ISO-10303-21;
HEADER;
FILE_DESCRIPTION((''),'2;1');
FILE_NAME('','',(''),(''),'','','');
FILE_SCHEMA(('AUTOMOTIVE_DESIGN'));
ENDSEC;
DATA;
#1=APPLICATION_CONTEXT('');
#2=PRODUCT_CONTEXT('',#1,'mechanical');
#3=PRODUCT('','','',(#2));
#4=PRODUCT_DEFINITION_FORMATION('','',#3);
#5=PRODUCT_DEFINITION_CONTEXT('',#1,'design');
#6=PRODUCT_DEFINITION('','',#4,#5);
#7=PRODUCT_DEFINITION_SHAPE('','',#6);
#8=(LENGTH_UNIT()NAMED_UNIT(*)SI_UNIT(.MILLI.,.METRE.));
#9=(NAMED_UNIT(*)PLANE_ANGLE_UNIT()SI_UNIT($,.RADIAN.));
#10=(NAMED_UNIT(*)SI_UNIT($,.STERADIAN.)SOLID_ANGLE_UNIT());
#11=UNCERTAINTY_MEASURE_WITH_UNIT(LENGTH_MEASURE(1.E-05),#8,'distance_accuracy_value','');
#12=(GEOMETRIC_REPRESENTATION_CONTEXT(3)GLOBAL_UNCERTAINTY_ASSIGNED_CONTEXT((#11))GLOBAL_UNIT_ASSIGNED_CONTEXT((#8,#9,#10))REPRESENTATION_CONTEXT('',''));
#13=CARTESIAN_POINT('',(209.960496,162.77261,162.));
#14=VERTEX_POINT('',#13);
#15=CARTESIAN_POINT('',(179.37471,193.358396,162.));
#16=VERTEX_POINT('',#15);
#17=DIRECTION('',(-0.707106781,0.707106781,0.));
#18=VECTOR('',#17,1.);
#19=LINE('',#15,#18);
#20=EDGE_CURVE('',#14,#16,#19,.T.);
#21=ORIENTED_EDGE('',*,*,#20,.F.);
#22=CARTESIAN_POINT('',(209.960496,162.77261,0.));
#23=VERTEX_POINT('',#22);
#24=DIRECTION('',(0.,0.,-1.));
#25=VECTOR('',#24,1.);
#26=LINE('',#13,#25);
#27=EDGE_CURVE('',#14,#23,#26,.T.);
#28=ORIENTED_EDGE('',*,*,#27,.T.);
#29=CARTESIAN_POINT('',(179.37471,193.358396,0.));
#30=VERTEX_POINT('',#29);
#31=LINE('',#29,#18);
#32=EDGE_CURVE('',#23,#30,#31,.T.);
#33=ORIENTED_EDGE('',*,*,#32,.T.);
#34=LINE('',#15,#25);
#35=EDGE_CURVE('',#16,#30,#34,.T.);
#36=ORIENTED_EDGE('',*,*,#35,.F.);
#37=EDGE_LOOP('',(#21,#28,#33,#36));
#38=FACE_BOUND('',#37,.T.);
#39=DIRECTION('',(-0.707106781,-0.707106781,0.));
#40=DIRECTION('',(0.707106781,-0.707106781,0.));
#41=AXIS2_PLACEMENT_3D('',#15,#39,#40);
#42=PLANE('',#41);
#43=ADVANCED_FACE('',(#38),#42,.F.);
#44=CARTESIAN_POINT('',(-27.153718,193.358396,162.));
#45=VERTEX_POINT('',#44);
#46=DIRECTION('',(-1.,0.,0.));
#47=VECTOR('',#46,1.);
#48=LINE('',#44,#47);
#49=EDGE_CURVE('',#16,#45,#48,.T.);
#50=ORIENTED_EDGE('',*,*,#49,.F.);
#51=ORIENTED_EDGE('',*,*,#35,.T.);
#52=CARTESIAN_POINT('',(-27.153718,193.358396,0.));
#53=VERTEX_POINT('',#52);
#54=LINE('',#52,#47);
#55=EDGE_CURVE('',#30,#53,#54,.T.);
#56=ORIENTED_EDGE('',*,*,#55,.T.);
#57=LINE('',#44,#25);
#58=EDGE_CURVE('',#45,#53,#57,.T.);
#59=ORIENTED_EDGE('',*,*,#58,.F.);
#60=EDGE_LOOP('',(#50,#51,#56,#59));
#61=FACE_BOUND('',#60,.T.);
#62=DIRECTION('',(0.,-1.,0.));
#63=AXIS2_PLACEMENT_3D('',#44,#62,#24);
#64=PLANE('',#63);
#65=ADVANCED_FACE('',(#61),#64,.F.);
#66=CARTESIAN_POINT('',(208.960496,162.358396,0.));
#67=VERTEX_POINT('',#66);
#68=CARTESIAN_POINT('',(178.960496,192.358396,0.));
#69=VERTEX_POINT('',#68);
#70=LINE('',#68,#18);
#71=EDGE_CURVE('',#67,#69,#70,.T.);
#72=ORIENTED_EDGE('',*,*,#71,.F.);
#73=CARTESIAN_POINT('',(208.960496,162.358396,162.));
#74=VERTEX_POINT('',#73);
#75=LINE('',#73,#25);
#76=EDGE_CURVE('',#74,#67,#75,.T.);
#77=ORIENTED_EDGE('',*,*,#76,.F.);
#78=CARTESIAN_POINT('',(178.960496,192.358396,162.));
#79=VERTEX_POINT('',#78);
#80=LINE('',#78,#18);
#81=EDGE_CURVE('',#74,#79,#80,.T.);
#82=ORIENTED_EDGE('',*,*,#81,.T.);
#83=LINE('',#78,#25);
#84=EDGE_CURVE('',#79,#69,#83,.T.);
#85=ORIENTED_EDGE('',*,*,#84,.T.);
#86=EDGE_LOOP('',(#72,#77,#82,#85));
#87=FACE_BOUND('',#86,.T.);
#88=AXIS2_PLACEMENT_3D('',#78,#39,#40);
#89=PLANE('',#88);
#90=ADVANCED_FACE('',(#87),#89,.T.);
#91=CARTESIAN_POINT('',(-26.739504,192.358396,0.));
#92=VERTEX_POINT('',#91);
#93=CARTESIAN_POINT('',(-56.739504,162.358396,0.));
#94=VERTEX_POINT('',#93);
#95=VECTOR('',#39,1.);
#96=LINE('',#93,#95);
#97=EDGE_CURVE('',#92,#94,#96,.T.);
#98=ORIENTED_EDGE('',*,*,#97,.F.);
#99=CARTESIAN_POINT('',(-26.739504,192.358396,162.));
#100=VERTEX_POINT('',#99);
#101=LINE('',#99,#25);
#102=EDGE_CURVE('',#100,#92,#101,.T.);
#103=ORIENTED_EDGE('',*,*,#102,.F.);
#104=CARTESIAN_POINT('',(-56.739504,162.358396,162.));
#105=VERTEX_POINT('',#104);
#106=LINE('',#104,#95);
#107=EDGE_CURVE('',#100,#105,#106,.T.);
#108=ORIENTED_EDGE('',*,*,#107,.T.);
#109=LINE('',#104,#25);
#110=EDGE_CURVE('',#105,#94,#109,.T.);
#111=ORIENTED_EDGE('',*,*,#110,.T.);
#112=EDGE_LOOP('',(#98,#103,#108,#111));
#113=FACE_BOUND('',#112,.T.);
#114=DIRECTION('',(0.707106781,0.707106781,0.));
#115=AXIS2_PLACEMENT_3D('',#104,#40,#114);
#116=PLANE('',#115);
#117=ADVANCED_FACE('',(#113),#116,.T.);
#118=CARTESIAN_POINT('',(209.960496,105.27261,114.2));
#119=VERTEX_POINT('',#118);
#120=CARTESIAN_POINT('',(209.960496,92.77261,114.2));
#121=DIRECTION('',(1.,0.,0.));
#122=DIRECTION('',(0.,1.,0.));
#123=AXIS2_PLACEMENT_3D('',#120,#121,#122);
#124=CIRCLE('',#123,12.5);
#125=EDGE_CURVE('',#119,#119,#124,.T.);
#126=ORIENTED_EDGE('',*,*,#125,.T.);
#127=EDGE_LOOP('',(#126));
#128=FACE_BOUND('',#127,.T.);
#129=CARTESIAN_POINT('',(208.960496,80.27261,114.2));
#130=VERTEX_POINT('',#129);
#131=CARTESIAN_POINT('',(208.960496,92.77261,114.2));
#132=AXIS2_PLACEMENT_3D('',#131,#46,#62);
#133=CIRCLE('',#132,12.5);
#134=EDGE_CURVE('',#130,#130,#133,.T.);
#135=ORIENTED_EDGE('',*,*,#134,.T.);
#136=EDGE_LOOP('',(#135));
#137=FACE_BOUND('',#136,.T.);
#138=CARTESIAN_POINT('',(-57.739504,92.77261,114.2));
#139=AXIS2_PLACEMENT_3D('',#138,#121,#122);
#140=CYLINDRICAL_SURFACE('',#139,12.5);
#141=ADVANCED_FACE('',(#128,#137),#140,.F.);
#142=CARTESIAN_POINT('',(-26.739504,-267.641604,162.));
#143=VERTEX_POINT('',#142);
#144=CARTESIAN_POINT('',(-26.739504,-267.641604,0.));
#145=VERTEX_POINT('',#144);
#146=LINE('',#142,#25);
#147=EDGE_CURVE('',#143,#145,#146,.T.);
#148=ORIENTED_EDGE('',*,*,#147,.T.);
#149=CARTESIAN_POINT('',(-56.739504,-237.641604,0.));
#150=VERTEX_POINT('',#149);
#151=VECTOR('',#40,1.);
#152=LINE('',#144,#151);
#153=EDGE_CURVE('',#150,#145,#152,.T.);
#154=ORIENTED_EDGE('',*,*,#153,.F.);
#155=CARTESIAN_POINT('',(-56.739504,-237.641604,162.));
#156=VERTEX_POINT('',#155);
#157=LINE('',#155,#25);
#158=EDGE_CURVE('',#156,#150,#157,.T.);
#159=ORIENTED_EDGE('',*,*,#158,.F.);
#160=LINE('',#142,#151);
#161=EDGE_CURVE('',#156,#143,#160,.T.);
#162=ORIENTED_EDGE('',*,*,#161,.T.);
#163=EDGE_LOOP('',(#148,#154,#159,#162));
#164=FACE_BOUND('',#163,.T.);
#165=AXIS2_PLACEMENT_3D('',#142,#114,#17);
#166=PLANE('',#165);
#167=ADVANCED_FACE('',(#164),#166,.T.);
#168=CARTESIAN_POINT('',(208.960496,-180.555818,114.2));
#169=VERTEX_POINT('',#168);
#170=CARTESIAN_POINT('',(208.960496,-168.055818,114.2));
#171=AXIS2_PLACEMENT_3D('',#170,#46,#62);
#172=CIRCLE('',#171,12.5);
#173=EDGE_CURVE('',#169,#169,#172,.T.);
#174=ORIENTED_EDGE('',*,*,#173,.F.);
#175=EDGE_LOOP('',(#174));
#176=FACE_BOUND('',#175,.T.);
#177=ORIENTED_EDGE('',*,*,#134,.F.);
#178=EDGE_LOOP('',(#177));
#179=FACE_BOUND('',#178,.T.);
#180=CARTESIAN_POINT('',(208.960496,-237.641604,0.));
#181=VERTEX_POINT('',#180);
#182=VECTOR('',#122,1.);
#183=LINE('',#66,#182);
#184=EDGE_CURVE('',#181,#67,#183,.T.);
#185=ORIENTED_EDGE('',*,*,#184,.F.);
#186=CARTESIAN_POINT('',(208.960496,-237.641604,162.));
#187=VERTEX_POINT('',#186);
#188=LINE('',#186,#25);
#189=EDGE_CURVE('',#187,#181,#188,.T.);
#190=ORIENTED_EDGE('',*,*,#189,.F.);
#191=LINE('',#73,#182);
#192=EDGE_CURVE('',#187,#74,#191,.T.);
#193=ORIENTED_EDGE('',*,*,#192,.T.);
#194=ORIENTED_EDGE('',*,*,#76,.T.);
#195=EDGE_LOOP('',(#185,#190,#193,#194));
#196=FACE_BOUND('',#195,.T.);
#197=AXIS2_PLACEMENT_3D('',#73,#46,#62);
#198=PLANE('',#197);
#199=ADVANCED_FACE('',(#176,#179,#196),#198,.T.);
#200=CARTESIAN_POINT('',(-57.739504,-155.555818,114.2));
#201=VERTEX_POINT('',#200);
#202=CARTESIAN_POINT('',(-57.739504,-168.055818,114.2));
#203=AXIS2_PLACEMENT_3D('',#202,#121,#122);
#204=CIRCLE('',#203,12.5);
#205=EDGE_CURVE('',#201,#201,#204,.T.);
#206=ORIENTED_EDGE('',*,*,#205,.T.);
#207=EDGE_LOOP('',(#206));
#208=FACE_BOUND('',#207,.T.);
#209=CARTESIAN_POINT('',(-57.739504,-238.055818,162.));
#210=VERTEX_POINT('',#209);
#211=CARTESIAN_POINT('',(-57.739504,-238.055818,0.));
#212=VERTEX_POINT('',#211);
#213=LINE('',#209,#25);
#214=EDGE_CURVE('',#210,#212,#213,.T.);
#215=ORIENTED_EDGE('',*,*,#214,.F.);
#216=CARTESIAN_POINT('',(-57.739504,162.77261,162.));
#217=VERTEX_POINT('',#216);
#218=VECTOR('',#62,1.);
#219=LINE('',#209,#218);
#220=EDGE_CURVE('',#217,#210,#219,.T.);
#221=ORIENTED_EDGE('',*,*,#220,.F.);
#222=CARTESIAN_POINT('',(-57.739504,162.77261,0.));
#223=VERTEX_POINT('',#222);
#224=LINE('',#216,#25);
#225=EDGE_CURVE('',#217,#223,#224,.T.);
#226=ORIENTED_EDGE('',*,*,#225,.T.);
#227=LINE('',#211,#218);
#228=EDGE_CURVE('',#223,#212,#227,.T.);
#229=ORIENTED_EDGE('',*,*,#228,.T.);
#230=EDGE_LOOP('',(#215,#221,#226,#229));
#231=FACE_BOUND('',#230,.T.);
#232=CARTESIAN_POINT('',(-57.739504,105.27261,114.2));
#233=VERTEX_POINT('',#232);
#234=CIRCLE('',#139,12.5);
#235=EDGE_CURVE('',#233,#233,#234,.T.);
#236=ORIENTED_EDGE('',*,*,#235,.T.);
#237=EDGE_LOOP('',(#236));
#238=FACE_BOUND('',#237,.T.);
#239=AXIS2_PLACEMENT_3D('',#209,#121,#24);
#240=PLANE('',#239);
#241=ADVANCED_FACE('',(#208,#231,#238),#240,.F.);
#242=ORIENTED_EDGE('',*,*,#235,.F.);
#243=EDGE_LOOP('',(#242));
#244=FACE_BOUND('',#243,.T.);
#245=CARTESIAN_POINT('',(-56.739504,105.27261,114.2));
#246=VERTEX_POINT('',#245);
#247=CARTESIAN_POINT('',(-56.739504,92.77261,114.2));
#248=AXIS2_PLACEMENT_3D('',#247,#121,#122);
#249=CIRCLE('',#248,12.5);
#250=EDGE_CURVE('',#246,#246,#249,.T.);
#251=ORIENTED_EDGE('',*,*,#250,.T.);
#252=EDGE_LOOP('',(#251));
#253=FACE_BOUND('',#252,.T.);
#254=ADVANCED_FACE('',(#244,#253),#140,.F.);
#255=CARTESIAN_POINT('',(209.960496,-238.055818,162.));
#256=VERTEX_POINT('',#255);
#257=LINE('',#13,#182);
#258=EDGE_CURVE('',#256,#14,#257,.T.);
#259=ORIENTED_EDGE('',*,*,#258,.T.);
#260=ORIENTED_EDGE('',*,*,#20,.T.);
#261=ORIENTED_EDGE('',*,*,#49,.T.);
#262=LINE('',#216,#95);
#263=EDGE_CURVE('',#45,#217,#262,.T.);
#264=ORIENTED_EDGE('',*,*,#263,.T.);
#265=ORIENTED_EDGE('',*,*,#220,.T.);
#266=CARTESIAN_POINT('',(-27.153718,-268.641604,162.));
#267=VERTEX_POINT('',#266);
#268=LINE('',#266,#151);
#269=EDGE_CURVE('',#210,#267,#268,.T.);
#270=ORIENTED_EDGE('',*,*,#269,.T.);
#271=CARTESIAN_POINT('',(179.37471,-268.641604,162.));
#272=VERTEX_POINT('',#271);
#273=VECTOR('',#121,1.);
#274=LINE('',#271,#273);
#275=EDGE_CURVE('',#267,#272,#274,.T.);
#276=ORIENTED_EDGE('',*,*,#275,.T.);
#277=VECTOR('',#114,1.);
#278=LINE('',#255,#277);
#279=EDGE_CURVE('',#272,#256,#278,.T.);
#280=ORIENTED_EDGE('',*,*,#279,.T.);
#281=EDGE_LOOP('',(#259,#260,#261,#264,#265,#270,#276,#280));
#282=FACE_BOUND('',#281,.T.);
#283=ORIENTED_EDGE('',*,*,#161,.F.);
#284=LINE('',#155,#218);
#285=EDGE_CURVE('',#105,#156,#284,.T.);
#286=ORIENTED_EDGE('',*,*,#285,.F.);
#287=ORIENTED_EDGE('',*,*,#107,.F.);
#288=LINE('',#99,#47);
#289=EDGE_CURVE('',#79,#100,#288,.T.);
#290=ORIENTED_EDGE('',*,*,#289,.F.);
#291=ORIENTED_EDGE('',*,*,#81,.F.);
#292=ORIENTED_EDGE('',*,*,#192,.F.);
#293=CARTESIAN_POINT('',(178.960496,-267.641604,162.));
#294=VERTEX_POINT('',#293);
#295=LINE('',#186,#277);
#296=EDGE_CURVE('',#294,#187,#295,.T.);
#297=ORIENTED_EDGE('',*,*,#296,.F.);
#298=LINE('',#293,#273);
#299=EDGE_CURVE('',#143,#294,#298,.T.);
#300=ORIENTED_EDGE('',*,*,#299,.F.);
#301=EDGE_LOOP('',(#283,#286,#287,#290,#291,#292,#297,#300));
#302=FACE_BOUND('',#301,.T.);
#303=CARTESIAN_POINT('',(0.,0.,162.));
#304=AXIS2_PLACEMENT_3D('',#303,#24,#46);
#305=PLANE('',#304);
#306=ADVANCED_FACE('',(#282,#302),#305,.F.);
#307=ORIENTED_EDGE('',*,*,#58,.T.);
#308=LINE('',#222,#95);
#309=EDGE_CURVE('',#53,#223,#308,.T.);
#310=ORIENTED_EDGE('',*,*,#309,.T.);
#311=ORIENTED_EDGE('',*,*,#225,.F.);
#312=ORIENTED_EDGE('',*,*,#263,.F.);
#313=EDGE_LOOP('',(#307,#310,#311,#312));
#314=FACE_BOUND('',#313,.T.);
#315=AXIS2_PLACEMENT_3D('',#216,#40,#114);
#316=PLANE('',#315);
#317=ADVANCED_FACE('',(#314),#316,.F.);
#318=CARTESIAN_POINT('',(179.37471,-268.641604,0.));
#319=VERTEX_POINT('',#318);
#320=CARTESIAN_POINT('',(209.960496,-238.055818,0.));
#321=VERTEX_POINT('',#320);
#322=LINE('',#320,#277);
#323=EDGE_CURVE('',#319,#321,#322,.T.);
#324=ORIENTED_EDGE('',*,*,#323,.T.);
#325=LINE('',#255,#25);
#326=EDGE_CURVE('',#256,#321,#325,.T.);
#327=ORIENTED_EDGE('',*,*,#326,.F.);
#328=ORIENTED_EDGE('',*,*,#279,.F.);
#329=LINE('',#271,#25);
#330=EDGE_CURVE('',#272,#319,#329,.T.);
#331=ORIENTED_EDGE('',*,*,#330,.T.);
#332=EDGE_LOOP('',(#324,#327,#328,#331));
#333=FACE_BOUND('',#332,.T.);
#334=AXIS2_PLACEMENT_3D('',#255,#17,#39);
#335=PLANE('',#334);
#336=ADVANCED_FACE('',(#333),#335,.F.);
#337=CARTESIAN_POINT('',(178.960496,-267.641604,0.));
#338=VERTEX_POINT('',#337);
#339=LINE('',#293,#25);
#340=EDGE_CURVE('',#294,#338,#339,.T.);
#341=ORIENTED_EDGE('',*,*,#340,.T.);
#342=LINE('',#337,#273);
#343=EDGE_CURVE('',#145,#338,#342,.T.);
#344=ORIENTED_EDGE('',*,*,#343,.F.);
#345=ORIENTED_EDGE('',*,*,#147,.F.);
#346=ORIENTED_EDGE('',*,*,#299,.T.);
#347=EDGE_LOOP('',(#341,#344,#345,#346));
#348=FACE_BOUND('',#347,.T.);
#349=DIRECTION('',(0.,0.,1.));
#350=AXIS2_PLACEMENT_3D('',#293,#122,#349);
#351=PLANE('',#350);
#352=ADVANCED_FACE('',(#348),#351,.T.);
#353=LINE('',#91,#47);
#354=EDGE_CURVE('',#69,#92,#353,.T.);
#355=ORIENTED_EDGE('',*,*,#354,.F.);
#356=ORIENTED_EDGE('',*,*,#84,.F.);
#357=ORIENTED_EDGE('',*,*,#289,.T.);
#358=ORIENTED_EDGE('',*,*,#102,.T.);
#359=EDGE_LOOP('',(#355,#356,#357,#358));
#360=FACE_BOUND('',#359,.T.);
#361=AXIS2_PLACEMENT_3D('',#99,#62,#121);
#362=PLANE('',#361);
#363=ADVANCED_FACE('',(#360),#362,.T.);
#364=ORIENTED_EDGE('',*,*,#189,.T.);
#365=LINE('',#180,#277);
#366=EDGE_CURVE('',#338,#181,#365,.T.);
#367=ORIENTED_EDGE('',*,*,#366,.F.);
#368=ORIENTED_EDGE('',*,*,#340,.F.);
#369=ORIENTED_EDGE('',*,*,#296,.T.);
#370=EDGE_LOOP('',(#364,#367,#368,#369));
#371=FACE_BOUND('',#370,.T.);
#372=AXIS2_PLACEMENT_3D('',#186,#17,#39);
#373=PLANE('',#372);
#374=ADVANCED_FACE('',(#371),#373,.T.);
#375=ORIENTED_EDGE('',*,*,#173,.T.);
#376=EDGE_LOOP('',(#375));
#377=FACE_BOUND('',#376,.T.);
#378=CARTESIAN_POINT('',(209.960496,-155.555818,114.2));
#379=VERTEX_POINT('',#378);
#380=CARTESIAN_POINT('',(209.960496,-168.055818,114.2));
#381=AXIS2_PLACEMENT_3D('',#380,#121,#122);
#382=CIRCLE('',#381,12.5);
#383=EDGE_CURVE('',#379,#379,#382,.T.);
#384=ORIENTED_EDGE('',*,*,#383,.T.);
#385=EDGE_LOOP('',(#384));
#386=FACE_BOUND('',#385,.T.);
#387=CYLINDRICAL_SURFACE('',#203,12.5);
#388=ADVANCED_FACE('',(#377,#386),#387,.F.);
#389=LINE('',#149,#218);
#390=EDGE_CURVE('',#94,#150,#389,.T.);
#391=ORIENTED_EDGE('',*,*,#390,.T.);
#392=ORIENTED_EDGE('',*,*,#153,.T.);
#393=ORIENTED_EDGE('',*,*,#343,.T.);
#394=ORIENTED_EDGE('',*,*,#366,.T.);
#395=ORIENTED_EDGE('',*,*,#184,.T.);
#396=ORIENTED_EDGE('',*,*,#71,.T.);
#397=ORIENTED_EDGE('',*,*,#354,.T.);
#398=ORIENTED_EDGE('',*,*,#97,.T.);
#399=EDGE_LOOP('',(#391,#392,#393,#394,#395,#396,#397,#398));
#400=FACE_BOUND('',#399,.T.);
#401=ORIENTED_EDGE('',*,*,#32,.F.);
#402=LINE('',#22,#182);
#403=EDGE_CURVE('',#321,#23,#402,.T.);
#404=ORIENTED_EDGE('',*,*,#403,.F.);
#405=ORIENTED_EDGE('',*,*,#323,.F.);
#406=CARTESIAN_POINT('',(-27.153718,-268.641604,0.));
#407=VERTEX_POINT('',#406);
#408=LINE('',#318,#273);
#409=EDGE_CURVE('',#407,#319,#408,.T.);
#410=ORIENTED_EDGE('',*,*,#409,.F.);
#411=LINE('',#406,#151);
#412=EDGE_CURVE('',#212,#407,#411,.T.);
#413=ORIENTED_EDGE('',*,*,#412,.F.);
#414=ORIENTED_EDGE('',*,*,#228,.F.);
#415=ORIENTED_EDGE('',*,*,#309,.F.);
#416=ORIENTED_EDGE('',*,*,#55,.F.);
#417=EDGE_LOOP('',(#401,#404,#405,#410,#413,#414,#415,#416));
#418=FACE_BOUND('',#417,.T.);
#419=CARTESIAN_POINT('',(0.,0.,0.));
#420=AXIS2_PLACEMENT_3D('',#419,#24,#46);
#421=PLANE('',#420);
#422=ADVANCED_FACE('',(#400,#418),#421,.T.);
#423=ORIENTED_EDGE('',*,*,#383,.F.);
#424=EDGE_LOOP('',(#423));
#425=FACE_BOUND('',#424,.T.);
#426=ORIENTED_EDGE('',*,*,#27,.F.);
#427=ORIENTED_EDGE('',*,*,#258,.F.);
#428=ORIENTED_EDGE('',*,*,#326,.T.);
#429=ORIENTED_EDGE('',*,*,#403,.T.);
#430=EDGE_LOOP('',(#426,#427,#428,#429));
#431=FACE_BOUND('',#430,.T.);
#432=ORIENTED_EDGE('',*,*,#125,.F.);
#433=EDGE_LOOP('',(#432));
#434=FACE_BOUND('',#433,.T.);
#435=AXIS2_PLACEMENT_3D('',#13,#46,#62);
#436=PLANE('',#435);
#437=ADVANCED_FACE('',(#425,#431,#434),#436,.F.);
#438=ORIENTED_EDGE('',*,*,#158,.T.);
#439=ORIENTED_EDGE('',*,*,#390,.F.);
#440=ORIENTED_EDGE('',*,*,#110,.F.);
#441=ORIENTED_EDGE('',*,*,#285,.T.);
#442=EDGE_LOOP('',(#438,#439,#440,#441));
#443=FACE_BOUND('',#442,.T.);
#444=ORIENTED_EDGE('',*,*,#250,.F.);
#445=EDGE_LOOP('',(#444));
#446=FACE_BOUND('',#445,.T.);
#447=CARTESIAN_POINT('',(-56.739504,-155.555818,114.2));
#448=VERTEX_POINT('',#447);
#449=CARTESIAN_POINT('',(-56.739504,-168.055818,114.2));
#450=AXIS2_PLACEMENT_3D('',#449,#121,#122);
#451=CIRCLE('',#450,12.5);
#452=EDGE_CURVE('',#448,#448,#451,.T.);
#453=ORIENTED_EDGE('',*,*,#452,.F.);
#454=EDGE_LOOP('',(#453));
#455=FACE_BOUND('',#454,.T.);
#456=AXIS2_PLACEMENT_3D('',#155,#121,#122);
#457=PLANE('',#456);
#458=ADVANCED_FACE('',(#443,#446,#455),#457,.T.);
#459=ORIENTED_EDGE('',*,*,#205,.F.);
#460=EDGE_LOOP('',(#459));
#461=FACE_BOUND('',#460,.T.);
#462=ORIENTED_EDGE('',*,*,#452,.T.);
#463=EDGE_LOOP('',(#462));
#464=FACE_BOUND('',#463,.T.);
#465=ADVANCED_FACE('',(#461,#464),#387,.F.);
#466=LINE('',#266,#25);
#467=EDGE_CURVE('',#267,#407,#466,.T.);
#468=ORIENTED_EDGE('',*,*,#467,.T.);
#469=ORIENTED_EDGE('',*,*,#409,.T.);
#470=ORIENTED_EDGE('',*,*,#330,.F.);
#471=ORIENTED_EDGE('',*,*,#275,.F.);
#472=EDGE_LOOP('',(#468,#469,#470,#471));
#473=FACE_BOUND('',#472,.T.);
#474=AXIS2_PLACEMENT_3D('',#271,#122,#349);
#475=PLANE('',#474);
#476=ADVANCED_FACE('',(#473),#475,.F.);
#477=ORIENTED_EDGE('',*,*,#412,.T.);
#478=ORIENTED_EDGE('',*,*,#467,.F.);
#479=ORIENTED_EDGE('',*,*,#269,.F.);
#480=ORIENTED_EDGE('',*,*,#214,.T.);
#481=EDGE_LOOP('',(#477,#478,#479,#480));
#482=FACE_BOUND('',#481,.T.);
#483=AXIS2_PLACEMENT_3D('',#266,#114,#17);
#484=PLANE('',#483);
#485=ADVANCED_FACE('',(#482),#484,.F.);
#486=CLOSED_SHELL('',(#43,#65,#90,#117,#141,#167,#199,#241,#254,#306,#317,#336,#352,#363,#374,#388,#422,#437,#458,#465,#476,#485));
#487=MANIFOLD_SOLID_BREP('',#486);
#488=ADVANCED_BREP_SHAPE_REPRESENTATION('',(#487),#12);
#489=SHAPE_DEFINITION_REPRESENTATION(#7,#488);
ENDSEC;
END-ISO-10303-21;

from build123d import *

# Parameters (mm, degrees)
BOSS_EXTRUDE1_DEPTH = 162
SKETCH2_R           = 12.5
CUT_EXTRUDE1_DEPTH  = 413.402232553


with BuildPart() as part:
    # Sketch1 → Boss-Extrude1 (new body)
    with BuildSketch(Plane.XY):
        Polygon((-57.739503943, 162.772609534), (-27.153717505, 193.358395972), (179.374709619, 193.358395972), (209.960496057, 162.772609534), (209.960496057, -238.055817591), (179.374709619, -268.641604028), (-27.153717505, -268.641604028), (-57.739503943, -238.055817591), align=None)
        Polygon((-56.739503943, 162.358395972), (-26.739503943, 192.358395972), (178.960496057, 192.358395972), (208.960496057, 162.358395972), (208.960496057, -237.641604028), (178.960496057, -267.641604028), (-26.739503943, -267.641604028), (-56.739503943, -237.641604028), align=None, mode=Mode.SUBTRACT)
    extrude(amount=BOSS_EXTRUDE1_DEPTH)

    # Sketch2 → Cut-Extrude1 (cut, through all)
    with BuildSketch(Plane(origin=(209.960496057, 0, 0), x_dir=(0, 0, -1), z_dir=(1, 0, 0))):
        with Locations(Location((-114.2, -168.055817591, 0), (0, 0, 90))):
            Circle(SKETCH2_R)
        with Locations(Location((-114.2, 92.772609534, 0), (0, 0, 90))):
            Circle(SKETCH2_R)
    extrude(amount=-CUT_EXTRUDE1_DEPTH, mode=Mode.SUBTRACT)


solid = part.part
